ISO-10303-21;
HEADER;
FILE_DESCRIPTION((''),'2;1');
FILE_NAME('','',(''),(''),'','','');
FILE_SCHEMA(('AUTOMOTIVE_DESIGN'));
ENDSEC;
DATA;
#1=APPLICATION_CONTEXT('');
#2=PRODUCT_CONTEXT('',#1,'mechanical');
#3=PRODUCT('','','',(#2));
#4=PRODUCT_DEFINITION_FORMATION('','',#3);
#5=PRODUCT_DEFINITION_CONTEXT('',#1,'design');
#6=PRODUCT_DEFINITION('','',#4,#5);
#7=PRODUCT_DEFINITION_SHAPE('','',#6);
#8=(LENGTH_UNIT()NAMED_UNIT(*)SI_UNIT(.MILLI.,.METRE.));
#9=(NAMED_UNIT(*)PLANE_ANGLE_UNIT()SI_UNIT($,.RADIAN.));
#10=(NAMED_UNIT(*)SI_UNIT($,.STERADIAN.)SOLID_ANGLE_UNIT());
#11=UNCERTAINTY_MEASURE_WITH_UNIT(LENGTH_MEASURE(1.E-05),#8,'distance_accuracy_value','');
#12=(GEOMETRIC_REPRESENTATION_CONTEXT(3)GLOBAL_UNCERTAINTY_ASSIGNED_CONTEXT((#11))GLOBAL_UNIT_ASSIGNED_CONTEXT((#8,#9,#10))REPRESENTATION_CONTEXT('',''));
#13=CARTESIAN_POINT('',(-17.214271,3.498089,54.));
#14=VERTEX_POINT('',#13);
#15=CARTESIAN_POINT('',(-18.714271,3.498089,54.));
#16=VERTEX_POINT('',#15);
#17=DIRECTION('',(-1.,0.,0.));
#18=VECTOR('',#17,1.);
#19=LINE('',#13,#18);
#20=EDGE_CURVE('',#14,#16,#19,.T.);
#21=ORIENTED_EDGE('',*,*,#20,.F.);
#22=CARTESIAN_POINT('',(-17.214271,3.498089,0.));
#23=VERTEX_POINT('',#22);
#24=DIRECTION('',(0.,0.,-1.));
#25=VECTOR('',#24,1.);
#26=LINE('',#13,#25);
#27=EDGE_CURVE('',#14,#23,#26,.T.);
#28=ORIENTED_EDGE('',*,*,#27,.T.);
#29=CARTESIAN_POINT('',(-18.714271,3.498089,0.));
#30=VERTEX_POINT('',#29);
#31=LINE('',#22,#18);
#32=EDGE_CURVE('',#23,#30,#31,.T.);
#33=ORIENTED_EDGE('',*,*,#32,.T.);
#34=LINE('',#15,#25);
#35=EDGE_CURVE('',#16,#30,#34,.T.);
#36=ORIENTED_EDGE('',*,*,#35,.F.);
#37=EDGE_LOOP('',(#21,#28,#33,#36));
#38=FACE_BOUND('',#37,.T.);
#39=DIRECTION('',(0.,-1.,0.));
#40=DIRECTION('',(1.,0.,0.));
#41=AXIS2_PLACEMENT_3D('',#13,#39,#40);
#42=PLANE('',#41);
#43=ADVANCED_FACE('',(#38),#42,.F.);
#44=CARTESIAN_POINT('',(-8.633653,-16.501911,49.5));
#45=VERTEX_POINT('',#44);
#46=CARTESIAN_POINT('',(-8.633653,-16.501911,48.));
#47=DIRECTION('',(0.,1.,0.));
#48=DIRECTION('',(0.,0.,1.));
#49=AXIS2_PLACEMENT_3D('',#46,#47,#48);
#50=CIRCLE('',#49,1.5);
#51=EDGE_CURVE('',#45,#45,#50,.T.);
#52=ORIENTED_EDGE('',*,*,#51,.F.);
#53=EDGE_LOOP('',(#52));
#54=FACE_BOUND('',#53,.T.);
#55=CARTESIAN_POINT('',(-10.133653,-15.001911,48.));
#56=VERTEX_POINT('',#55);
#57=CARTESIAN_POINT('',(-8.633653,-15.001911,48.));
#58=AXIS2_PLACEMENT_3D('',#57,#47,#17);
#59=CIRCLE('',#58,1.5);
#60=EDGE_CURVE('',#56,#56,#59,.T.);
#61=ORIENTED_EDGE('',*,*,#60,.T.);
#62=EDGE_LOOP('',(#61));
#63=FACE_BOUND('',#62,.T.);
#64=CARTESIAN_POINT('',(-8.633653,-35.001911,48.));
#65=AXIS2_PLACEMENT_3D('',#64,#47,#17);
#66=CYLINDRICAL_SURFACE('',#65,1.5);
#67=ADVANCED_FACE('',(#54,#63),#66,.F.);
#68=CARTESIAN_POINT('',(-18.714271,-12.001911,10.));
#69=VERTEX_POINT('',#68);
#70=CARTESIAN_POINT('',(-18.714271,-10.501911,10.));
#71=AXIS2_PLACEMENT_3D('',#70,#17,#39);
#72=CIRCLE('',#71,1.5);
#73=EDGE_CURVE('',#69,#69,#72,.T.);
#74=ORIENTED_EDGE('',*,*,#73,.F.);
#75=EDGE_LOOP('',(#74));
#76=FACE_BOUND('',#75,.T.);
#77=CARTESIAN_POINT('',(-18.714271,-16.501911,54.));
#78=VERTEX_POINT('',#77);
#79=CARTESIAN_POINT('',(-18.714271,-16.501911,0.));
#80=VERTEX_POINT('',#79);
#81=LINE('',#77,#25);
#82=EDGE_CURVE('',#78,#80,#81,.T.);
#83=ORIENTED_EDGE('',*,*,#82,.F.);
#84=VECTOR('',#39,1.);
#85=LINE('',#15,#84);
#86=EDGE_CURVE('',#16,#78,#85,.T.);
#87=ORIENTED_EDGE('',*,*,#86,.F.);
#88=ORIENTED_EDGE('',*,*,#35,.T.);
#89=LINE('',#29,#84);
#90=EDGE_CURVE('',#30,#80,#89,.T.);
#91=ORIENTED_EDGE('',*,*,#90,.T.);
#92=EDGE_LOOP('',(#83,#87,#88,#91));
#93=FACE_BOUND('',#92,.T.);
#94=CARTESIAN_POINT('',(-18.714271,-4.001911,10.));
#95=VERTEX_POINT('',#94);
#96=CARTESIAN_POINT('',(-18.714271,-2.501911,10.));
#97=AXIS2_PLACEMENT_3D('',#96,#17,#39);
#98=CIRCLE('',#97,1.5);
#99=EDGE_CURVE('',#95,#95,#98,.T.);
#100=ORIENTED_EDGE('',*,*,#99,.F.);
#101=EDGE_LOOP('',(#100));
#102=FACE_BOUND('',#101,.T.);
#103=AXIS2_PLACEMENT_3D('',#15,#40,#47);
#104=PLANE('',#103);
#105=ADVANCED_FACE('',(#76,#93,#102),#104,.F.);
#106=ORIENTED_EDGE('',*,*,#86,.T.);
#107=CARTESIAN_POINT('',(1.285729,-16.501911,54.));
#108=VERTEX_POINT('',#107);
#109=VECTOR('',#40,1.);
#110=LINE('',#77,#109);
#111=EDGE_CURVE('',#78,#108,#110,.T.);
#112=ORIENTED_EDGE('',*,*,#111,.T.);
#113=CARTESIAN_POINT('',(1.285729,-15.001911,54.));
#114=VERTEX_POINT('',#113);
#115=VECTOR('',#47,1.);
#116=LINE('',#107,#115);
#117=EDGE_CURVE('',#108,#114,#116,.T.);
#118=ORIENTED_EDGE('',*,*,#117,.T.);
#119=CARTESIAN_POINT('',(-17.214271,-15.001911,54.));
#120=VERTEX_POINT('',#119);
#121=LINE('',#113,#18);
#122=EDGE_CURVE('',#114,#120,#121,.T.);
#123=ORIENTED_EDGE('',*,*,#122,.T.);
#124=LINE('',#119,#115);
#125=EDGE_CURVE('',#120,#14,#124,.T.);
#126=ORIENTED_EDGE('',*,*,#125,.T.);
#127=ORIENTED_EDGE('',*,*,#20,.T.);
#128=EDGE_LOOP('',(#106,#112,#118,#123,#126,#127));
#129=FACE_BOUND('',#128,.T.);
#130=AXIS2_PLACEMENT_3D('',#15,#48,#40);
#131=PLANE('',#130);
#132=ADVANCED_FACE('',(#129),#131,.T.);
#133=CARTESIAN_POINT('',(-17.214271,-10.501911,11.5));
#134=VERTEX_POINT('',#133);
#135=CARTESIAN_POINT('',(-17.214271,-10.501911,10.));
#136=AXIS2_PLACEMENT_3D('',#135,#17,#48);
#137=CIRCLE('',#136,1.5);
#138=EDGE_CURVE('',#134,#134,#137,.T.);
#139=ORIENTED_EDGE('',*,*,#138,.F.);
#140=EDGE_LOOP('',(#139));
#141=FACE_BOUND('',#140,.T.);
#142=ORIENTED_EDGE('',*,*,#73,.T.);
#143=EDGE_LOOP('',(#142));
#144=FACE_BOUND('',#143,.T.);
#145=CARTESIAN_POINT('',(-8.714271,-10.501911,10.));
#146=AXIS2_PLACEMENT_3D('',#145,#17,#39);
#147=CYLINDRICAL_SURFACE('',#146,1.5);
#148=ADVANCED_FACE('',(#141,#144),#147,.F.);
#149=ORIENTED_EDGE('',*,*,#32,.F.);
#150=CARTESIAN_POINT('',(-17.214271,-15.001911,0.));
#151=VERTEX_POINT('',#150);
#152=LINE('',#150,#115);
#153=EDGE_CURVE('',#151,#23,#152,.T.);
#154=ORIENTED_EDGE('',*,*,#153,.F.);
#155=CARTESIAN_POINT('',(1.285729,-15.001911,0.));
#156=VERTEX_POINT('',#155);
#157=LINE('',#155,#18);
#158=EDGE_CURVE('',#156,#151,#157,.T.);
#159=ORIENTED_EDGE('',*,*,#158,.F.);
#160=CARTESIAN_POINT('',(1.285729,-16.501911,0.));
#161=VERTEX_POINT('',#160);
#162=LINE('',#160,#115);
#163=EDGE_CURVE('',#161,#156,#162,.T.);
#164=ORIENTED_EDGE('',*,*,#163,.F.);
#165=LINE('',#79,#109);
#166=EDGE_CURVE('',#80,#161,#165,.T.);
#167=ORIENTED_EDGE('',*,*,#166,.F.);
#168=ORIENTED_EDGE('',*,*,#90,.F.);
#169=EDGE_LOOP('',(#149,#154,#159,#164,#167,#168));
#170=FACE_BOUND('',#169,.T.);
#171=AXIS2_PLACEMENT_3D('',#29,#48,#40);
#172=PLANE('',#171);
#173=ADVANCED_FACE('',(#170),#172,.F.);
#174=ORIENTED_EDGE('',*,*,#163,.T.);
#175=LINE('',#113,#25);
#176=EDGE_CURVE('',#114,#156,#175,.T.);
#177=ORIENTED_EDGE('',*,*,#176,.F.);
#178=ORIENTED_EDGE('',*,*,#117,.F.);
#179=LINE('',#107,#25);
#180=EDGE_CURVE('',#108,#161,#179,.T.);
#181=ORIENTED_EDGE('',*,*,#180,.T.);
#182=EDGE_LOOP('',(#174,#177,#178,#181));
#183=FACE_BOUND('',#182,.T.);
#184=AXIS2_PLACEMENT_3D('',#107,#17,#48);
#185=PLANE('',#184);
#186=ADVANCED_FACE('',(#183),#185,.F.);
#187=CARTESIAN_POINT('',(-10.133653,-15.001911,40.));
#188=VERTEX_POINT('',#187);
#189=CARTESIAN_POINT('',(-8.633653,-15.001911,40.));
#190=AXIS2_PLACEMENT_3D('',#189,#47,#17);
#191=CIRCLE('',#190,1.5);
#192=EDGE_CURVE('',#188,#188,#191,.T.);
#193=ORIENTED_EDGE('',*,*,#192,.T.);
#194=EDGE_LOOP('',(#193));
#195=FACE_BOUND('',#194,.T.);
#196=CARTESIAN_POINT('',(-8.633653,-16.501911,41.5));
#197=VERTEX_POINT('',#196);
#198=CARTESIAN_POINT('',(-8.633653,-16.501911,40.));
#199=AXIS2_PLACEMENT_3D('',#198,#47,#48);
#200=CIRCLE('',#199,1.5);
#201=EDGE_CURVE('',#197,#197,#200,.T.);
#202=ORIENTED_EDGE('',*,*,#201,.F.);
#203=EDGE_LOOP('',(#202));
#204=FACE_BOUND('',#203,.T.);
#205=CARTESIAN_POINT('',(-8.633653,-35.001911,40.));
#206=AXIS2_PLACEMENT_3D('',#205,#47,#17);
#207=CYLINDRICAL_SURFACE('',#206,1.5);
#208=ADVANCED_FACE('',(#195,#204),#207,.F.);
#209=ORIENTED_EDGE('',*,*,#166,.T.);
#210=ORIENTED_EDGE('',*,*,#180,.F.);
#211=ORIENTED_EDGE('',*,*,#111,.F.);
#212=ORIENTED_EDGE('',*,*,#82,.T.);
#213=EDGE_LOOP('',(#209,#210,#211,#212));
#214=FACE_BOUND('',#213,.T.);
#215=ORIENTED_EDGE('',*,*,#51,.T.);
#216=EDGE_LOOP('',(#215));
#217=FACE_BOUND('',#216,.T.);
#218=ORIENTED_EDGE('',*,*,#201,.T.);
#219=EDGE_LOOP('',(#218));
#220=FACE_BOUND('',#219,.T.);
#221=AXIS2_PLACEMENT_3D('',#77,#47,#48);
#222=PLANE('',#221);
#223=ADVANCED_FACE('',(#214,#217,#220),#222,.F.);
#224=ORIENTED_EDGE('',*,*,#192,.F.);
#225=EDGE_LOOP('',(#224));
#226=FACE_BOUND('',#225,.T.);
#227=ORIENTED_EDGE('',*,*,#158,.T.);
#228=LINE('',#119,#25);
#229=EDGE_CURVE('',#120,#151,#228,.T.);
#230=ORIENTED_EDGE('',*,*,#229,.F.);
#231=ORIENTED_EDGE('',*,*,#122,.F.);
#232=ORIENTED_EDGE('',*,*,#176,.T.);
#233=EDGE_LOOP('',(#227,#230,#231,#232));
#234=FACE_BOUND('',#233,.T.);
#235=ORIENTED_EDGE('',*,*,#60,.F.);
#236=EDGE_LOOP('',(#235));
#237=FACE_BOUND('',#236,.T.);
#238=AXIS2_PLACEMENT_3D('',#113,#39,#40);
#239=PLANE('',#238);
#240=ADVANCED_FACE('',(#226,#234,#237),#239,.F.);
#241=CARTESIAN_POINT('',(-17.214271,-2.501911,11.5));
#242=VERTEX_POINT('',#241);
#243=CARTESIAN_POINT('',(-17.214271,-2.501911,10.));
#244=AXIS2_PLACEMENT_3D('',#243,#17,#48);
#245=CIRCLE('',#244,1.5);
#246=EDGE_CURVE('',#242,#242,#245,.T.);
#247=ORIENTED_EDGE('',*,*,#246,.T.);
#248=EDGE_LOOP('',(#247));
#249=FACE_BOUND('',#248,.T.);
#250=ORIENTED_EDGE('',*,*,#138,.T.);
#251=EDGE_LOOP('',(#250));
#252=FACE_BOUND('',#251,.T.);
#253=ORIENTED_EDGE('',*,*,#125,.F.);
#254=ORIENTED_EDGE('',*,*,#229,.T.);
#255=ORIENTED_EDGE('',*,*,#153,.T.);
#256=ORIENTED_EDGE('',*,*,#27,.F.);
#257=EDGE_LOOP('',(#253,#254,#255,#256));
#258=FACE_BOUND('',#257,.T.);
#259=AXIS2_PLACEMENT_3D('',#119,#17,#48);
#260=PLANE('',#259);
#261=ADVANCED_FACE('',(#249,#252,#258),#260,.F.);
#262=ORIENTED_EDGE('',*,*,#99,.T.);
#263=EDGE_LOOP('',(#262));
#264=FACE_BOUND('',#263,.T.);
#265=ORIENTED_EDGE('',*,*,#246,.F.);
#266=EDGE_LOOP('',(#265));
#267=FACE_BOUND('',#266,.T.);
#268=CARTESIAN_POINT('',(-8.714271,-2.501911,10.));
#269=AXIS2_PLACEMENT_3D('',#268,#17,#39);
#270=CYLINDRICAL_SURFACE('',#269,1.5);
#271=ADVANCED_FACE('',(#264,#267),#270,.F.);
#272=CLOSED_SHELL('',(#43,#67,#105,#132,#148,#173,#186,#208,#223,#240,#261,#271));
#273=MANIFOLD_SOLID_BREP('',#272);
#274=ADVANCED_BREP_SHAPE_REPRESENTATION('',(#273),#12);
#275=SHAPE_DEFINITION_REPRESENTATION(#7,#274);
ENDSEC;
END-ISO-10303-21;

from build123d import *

# Parameters (mm, degrees)
EXTRUSION1_DEPTH = 54
ESQUISSE2_R      = 1.5
EXTRUSION2_DEPTH = 20
ESQUISSE3_R      = 1.5
EXTRUSION3_DEPTH = 10


with BuildPart() as part:
    # Esquisse1 → Extrusion1 (new body)
    with BuildSketch(Plane.XY):
        Polygon((-18.714271359, 3.498089172), (-18.714271359, -16.501910828), (1.285728641, -16.501910828), (1.285728641, -15.001910828), (-17.214271359, -15.001910828), (-17.214271359, 3.498089172), align=None)
    extrude(amount=EXTRUSION1_DEPTH)

    # Esquisse2 → Extrusion2 (cut)
    with BuildSketch(Plane(origin=(0, -15.001910828, 0), x_dir=(-1, 0, 0), z_dir=(0, 1, 0))):
        with Locations((8.633652734, 48)):
            Circle(ESQUISSE2_R)
        with Locations((8.633652734, 40)):
            Circle(ESQUISSE2_R)
    extrude(amount=-EXTRUSION2_DEPTH, mode=Mode.SUBTRACT)

    # Esquisse3 → Extrusion3 (cut)
    with BuildSketch(Plane.ZY.offset(18.714271359)):
        with Locations(Location((10, -2.501910828, 0), (0, 0, 270))):
            Circle(ESQUISSE3_R)
        with Locations(Location((10, -10.501910828, 0), (0, 0, 270))):
            Circle(ESQUISSE3_R)
    extrude(amount=-EXTRUSION3_DEPTH, mode=Mode.SUBTRACT)


solid = part.part
